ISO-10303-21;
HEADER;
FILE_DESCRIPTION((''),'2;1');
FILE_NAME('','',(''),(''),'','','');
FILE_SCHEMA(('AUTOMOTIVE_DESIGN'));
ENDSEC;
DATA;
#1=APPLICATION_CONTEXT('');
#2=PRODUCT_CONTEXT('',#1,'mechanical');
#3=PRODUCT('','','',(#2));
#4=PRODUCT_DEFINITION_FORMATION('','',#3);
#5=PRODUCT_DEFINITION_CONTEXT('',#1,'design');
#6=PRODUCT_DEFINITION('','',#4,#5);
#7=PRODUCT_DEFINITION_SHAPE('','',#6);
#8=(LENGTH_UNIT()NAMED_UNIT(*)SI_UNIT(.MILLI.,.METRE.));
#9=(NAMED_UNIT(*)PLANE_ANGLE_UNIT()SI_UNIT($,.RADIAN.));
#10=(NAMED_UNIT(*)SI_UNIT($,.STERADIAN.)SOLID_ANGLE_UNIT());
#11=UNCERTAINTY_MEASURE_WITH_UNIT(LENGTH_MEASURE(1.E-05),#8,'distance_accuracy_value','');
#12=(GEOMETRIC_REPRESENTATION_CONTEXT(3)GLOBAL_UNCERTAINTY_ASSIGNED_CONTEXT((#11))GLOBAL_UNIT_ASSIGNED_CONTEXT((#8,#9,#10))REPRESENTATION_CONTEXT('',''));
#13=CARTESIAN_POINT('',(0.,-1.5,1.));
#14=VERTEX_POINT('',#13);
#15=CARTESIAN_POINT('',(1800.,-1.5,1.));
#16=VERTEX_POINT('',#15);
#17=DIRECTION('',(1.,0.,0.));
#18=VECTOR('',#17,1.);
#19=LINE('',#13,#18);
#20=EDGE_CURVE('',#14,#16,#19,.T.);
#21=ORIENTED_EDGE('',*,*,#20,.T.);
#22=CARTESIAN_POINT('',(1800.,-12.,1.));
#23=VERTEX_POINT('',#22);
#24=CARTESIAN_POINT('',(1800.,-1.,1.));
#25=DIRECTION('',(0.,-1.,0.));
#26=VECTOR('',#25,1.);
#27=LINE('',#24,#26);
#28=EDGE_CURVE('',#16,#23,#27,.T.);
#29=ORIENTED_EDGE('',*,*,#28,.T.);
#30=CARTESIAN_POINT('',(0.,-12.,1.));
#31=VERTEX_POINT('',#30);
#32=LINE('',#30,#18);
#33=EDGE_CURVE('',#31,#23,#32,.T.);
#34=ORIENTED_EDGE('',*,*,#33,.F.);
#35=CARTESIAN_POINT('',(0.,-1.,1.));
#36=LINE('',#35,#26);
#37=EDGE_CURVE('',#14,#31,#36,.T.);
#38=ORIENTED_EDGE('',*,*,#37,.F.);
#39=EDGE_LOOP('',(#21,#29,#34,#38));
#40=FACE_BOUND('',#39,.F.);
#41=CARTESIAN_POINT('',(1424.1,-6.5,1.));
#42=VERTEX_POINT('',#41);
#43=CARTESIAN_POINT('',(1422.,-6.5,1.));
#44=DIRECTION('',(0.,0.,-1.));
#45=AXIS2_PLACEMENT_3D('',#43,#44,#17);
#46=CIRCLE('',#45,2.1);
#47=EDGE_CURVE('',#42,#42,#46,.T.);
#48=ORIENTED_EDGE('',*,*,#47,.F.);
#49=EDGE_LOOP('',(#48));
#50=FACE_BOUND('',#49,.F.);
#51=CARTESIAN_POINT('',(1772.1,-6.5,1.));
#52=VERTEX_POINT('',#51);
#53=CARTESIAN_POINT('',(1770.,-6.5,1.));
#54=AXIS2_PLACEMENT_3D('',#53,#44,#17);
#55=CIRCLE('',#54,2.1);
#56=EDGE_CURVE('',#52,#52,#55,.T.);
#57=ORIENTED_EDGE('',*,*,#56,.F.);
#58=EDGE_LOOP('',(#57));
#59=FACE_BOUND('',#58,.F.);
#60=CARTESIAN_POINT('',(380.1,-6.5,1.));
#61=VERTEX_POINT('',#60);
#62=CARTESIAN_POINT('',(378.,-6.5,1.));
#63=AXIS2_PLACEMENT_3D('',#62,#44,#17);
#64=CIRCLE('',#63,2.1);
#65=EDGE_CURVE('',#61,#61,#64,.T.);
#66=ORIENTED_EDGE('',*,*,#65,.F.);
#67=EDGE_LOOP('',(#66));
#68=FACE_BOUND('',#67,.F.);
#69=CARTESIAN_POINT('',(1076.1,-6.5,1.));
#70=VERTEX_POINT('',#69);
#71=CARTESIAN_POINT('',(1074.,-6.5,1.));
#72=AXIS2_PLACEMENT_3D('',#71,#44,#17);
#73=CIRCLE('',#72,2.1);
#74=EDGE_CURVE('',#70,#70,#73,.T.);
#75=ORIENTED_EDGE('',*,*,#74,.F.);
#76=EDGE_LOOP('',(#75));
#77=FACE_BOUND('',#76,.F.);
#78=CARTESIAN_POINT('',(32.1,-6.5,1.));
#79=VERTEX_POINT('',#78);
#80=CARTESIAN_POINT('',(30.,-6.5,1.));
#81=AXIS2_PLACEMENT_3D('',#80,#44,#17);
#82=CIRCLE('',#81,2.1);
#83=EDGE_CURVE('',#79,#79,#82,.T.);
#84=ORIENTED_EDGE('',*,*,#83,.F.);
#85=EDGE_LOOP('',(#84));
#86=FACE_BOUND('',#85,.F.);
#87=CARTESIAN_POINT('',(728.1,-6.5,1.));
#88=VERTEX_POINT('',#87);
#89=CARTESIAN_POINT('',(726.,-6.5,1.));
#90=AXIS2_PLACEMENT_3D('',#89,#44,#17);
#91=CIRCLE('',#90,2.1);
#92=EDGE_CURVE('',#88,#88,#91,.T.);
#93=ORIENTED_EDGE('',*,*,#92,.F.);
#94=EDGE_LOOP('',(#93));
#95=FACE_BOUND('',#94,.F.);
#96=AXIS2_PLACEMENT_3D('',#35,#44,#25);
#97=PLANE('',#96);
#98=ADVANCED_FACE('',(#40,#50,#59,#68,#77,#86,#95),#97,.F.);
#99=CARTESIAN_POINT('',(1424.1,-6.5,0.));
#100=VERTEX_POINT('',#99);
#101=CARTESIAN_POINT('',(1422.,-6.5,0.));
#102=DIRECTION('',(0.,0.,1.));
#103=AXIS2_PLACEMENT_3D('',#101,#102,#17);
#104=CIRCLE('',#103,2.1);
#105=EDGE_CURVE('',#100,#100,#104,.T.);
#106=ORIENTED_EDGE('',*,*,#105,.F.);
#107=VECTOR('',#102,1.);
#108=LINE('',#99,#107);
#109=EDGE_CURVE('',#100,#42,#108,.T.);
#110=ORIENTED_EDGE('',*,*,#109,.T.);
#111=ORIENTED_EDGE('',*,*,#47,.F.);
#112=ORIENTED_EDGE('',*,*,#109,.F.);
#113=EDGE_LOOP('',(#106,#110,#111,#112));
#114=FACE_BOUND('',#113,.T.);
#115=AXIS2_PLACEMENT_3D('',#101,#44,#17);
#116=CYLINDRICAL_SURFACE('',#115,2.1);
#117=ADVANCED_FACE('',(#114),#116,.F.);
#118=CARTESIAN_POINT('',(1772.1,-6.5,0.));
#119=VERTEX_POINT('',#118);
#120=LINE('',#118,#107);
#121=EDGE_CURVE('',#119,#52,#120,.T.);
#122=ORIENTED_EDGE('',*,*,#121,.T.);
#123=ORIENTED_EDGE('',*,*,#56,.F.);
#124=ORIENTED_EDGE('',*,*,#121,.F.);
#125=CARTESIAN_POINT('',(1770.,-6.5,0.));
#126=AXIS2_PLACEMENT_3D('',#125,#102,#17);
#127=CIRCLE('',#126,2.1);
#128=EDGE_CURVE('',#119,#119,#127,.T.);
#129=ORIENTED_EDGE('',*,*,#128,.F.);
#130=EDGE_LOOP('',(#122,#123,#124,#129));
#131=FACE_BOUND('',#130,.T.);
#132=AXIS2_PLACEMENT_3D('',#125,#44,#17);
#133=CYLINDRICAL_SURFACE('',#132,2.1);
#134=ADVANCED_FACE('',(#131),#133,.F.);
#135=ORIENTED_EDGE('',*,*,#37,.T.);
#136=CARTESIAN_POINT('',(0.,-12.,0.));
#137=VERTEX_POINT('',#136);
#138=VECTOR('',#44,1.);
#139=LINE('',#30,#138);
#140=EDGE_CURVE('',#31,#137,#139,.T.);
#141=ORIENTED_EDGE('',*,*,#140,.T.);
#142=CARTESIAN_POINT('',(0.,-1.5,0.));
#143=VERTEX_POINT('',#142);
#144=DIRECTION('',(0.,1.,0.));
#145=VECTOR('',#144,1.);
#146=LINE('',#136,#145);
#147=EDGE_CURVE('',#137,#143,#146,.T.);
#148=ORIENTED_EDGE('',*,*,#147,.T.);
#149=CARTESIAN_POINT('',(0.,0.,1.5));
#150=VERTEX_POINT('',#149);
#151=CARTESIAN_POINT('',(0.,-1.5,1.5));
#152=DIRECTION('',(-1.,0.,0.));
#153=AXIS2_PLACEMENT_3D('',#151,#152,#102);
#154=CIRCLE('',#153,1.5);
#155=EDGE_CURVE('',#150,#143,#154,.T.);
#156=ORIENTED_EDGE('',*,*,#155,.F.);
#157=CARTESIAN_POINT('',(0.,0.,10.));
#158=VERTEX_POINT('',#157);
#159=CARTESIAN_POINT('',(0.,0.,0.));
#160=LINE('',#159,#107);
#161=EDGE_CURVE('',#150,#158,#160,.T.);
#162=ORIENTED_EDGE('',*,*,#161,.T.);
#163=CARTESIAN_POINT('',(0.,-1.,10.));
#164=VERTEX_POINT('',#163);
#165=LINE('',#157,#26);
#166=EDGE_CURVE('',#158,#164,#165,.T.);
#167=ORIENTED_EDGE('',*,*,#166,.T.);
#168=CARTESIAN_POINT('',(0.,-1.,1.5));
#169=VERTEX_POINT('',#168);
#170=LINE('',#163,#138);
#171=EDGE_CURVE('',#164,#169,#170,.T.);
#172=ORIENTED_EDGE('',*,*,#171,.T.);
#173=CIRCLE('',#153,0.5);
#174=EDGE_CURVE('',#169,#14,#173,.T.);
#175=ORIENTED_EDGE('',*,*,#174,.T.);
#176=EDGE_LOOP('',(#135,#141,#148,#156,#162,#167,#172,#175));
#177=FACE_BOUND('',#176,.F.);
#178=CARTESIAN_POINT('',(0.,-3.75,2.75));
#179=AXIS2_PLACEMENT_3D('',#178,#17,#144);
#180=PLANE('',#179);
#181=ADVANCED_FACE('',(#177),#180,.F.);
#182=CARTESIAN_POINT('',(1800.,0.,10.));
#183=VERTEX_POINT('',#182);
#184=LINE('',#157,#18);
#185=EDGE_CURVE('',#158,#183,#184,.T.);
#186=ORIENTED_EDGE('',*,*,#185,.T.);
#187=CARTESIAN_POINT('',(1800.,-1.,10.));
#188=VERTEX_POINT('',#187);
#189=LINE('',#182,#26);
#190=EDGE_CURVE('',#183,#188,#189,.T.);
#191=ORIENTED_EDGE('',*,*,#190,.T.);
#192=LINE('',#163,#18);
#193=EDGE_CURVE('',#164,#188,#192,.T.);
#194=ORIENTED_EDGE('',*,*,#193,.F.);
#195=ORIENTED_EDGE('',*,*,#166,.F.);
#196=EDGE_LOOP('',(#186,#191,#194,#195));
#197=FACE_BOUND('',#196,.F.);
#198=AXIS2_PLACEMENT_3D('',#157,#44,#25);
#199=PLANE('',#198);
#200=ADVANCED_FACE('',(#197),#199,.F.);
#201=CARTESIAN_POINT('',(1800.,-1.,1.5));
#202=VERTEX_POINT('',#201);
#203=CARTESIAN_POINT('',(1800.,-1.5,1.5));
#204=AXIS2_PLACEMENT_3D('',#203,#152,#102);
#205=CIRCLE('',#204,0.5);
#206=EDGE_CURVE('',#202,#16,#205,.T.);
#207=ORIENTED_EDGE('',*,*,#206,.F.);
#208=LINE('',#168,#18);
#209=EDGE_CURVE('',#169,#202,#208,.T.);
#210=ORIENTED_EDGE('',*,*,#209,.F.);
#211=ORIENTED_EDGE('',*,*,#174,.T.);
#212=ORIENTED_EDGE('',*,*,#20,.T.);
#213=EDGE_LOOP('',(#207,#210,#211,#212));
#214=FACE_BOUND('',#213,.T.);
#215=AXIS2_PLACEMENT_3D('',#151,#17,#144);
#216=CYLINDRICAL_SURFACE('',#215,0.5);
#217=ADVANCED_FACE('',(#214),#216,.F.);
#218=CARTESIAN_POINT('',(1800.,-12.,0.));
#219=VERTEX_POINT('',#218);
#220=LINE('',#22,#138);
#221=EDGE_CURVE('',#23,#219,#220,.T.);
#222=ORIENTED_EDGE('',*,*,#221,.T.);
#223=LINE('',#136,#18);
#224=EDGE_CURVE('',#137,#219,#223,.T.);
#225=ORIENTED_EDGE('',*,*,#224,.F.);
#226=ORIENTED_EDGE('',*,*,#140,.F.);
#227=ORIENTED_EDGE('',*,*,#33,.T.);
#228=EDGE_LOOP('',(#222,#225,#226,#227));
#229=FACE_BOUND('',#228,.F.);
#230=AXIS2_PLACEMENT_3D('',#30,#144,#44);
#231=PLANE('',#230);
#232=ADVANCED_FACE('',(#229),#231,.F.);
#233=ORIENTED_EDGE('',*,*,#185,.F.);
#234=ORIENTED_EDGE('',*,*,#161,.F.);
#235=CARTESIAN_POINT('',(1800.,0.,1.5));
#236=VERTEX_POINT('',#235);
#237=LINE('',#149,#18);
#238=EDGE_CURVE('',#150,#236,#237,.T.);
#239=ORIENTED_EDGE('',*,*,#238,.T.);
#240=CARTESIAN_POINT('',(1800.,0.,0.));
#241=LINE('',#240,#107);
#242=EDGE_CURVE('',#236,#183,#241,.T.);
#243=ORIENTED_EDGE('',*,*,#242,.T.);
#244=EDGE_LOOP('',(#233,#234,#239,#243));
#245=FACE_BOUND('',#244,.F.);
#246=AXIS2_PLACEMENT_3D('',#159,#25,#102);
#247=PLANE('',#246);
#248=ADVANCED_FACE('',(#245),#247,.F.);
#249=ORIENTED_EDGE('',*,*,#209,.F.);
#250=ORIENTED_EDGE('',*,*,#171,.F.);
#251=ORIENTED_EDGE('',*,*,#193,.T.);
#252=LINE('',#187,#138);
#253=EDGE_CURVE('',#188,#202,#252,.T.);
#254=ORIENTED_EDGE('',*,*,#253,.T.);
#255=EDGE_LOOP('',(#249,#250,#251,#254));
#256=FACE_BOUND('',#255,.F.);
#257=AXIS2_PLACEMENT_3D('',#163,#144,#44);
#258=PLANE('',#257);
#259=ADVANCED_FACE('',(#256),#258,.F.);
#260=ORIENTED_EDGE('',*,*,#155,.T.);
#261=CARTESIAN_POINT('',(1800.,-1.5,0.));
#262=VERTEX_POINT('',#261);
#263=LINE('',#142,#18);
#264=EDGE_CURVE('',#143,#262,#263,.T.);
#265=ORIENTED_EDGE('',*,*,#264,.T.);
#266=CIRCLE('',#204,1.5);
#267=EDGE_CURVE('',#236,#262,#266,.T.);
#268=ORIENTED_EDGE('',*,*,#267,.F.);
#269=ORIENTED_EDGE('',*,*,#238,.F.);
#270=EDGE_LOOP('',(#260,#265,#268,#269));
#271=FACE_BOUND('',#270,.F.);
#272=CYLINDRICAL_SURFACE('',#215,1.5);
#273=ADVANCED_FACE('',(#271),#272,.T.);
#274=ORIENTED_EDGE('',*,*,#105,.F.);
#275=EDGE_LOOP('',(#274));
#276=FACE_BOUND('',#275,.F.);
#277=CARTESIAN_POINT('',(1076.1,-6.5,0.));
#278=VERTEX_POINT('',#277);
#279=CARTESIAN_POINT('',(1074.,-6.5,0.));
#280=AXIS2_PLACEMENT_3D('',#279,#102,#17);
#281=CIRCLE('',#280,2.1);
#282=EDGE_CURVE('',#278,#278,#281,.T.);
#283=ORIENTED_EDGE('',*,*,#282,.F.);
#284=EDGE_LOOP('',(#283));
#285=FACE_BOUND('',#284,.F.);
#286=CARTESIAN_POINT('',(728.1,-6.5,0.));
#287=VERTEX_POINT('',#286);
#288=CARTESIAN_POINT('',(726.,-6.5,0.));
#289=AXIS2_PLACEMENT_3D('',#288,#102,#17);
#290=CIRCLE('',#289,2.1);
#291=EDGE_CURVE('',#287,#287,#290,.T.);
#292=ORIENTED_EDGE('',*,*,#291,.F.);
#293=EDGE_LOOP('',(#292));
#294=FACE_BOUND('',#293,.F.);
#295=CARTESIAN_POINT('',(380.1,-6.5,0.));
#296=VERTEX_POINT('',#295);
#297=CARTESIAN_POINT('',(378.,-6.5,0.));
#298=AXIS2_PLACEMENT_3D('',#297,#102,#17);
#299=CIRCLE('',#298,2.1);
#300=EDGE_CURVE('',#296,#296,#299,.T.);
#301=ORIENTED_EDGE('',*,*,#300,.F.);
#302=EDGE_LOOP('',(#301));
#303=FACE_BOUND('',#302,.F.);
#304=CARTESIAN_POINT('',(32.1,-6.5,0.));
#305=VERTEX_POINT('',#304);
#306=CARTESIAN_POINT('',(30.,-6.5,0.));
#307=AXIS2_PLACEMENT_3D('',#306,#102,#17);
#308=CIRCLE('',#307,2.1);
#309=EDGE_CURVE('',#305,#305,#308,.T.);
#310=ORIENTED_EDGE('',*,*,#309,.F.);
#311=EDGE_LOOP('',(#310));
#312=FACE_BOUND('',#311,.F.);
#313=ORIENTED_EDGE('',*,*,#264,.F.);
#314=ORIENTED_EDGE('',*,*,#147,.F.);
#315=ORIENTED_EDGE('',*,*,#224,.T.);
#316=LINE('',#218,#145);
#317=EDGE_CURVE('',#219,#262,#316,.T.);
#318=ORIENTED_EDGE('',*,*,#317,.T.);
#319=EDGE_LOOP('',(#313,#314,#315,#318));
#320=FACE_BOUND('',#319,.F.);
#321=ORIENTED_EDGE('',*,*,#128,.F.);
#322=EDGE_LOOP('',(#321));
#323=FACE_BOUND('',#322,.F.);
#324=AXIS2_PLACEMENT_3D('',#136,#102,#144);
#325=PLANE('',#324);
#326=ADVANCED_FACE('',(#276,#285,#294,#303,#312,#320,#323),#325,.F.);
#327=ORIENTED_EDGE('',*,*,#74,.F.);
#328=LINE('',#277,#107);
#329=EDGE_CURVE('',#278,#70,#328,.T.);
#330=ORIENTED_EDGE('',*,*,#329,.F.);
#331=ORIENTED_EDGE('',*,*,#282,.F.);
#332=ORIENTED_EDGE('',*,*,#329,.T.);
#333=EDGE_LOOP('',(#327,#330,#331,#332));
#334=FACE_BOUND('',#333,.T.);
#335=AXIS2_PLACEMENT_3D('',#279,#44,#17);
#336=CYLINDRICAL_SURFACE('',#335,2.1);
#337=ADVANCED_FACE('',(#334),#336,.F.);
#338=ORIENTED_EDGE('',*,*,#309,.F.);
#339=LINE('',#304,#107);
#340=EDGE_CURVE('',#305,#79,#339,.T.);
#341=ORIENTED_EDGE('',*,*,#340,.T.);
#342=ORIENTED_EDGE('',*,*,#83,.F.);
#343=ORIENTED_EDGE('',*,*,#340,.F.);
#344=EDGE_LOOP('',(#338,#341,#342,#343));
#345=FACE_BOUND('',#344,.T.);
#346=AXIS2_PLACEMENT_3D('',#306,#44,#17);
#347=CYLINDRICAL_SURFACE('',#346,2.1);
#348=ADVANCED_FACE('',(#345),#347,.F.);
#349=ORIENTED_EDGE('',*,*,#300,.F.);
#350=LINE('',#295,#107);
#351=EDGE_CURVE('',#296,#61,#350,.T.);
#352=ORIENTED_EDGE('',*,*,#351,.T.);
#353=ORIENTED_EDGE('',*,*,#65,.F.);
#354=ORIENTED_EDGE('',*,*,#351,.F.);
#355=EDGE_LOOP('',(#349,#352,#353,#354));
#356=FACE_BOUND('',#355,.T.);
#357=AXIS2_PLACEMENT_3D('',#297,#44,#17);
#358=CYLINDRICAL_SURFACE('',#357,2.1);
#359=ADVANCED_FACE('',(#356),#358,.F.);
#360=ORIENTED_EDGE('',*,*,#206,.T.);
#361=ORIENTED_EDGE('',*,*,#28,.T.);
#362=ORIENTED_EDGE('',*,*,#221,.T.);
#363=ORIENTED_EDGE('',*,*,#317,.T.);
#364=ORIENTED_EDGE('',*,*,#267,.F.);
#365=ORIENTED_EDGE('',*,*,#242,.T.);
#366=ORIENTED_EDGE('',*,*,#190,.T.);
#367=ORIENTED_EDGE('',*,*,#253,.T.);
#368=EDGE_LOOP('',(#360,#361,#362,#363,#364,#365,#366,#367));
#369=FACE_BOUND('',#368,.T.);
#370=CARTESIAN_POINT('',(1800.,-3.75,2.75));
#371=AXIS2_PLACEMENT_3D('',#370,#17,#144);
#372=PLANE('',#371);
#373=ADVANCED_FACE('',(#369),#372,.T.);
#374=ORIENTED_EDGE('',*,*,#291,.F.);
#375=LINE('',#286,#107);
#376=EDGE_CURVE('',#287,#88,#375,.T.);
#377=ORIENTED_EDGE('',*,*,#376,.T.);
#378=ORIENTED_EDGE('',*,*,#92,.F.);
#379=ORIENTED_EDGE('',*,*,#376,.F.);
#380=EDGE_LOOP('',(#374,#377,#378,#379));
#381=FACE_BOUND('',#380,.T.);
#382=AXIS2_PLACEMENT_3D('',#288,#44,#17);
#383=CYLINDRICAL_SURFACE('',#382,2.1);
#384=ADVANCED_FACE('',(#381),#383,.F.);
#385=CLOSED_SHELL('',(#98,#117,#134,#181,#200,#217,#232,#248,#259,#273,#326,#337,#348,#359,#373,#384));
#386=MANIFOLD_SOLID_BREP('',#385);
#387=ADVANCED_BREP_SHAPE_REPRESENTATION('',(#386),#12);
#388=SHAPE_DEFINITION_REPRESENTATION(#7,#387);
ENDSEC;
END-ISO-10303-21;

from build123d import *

# Parameters (mm, degrees)
F1_DEPTH = 1800
F2_R     = 0.5
F3_R     = 1.5
F4_R     = 2.1
F5_DEPTH = 25


with BuildPart() as f1:
    # F0 (on Right) → F1 (new body)
    with BuildSketch(Plane.YZ):
        Polygon((-12, 0), (0, 0), (0, 10), (-1, 10), (-1, 1), (-12, 1), align=None)
    extrude(amount=F1_DEPTH)

    # F2
    f2_edges = [f1.edges().sort_by_distance(p)[0] for p in [
        (900, -1, 1),
    ]]
    fillet(f2_edges, radius=F2_R)

    # F3
    f3_edges = [f1.edges().sort_by_distance(p)[0] for p in [
        (900, 0, 0),
    ]]
    fillet(f3_edges, radius=F3_R)

    # F4 (on Top) → F5 (cut)
    with BuildSketch(Plane.XY):
        with Locations((30, -6.5)):
            Circle(F4_R)
        with Locations((378, -6.5)):
            Circle(F4_R)
        with Locations((726, -6.5)):
            Circle(F4_R)
        with Locations((1074, -6.5)):
            Circle(F4_R)
        with Locations((1422, -6.5)):
            Circle(F4_R)
        with Locations((1770, -6.5)):
            Circle(F4_R)
    extrude(amount=F5_DEPTH, mode=Mode.SUBTRACT)


solid = f1.part
